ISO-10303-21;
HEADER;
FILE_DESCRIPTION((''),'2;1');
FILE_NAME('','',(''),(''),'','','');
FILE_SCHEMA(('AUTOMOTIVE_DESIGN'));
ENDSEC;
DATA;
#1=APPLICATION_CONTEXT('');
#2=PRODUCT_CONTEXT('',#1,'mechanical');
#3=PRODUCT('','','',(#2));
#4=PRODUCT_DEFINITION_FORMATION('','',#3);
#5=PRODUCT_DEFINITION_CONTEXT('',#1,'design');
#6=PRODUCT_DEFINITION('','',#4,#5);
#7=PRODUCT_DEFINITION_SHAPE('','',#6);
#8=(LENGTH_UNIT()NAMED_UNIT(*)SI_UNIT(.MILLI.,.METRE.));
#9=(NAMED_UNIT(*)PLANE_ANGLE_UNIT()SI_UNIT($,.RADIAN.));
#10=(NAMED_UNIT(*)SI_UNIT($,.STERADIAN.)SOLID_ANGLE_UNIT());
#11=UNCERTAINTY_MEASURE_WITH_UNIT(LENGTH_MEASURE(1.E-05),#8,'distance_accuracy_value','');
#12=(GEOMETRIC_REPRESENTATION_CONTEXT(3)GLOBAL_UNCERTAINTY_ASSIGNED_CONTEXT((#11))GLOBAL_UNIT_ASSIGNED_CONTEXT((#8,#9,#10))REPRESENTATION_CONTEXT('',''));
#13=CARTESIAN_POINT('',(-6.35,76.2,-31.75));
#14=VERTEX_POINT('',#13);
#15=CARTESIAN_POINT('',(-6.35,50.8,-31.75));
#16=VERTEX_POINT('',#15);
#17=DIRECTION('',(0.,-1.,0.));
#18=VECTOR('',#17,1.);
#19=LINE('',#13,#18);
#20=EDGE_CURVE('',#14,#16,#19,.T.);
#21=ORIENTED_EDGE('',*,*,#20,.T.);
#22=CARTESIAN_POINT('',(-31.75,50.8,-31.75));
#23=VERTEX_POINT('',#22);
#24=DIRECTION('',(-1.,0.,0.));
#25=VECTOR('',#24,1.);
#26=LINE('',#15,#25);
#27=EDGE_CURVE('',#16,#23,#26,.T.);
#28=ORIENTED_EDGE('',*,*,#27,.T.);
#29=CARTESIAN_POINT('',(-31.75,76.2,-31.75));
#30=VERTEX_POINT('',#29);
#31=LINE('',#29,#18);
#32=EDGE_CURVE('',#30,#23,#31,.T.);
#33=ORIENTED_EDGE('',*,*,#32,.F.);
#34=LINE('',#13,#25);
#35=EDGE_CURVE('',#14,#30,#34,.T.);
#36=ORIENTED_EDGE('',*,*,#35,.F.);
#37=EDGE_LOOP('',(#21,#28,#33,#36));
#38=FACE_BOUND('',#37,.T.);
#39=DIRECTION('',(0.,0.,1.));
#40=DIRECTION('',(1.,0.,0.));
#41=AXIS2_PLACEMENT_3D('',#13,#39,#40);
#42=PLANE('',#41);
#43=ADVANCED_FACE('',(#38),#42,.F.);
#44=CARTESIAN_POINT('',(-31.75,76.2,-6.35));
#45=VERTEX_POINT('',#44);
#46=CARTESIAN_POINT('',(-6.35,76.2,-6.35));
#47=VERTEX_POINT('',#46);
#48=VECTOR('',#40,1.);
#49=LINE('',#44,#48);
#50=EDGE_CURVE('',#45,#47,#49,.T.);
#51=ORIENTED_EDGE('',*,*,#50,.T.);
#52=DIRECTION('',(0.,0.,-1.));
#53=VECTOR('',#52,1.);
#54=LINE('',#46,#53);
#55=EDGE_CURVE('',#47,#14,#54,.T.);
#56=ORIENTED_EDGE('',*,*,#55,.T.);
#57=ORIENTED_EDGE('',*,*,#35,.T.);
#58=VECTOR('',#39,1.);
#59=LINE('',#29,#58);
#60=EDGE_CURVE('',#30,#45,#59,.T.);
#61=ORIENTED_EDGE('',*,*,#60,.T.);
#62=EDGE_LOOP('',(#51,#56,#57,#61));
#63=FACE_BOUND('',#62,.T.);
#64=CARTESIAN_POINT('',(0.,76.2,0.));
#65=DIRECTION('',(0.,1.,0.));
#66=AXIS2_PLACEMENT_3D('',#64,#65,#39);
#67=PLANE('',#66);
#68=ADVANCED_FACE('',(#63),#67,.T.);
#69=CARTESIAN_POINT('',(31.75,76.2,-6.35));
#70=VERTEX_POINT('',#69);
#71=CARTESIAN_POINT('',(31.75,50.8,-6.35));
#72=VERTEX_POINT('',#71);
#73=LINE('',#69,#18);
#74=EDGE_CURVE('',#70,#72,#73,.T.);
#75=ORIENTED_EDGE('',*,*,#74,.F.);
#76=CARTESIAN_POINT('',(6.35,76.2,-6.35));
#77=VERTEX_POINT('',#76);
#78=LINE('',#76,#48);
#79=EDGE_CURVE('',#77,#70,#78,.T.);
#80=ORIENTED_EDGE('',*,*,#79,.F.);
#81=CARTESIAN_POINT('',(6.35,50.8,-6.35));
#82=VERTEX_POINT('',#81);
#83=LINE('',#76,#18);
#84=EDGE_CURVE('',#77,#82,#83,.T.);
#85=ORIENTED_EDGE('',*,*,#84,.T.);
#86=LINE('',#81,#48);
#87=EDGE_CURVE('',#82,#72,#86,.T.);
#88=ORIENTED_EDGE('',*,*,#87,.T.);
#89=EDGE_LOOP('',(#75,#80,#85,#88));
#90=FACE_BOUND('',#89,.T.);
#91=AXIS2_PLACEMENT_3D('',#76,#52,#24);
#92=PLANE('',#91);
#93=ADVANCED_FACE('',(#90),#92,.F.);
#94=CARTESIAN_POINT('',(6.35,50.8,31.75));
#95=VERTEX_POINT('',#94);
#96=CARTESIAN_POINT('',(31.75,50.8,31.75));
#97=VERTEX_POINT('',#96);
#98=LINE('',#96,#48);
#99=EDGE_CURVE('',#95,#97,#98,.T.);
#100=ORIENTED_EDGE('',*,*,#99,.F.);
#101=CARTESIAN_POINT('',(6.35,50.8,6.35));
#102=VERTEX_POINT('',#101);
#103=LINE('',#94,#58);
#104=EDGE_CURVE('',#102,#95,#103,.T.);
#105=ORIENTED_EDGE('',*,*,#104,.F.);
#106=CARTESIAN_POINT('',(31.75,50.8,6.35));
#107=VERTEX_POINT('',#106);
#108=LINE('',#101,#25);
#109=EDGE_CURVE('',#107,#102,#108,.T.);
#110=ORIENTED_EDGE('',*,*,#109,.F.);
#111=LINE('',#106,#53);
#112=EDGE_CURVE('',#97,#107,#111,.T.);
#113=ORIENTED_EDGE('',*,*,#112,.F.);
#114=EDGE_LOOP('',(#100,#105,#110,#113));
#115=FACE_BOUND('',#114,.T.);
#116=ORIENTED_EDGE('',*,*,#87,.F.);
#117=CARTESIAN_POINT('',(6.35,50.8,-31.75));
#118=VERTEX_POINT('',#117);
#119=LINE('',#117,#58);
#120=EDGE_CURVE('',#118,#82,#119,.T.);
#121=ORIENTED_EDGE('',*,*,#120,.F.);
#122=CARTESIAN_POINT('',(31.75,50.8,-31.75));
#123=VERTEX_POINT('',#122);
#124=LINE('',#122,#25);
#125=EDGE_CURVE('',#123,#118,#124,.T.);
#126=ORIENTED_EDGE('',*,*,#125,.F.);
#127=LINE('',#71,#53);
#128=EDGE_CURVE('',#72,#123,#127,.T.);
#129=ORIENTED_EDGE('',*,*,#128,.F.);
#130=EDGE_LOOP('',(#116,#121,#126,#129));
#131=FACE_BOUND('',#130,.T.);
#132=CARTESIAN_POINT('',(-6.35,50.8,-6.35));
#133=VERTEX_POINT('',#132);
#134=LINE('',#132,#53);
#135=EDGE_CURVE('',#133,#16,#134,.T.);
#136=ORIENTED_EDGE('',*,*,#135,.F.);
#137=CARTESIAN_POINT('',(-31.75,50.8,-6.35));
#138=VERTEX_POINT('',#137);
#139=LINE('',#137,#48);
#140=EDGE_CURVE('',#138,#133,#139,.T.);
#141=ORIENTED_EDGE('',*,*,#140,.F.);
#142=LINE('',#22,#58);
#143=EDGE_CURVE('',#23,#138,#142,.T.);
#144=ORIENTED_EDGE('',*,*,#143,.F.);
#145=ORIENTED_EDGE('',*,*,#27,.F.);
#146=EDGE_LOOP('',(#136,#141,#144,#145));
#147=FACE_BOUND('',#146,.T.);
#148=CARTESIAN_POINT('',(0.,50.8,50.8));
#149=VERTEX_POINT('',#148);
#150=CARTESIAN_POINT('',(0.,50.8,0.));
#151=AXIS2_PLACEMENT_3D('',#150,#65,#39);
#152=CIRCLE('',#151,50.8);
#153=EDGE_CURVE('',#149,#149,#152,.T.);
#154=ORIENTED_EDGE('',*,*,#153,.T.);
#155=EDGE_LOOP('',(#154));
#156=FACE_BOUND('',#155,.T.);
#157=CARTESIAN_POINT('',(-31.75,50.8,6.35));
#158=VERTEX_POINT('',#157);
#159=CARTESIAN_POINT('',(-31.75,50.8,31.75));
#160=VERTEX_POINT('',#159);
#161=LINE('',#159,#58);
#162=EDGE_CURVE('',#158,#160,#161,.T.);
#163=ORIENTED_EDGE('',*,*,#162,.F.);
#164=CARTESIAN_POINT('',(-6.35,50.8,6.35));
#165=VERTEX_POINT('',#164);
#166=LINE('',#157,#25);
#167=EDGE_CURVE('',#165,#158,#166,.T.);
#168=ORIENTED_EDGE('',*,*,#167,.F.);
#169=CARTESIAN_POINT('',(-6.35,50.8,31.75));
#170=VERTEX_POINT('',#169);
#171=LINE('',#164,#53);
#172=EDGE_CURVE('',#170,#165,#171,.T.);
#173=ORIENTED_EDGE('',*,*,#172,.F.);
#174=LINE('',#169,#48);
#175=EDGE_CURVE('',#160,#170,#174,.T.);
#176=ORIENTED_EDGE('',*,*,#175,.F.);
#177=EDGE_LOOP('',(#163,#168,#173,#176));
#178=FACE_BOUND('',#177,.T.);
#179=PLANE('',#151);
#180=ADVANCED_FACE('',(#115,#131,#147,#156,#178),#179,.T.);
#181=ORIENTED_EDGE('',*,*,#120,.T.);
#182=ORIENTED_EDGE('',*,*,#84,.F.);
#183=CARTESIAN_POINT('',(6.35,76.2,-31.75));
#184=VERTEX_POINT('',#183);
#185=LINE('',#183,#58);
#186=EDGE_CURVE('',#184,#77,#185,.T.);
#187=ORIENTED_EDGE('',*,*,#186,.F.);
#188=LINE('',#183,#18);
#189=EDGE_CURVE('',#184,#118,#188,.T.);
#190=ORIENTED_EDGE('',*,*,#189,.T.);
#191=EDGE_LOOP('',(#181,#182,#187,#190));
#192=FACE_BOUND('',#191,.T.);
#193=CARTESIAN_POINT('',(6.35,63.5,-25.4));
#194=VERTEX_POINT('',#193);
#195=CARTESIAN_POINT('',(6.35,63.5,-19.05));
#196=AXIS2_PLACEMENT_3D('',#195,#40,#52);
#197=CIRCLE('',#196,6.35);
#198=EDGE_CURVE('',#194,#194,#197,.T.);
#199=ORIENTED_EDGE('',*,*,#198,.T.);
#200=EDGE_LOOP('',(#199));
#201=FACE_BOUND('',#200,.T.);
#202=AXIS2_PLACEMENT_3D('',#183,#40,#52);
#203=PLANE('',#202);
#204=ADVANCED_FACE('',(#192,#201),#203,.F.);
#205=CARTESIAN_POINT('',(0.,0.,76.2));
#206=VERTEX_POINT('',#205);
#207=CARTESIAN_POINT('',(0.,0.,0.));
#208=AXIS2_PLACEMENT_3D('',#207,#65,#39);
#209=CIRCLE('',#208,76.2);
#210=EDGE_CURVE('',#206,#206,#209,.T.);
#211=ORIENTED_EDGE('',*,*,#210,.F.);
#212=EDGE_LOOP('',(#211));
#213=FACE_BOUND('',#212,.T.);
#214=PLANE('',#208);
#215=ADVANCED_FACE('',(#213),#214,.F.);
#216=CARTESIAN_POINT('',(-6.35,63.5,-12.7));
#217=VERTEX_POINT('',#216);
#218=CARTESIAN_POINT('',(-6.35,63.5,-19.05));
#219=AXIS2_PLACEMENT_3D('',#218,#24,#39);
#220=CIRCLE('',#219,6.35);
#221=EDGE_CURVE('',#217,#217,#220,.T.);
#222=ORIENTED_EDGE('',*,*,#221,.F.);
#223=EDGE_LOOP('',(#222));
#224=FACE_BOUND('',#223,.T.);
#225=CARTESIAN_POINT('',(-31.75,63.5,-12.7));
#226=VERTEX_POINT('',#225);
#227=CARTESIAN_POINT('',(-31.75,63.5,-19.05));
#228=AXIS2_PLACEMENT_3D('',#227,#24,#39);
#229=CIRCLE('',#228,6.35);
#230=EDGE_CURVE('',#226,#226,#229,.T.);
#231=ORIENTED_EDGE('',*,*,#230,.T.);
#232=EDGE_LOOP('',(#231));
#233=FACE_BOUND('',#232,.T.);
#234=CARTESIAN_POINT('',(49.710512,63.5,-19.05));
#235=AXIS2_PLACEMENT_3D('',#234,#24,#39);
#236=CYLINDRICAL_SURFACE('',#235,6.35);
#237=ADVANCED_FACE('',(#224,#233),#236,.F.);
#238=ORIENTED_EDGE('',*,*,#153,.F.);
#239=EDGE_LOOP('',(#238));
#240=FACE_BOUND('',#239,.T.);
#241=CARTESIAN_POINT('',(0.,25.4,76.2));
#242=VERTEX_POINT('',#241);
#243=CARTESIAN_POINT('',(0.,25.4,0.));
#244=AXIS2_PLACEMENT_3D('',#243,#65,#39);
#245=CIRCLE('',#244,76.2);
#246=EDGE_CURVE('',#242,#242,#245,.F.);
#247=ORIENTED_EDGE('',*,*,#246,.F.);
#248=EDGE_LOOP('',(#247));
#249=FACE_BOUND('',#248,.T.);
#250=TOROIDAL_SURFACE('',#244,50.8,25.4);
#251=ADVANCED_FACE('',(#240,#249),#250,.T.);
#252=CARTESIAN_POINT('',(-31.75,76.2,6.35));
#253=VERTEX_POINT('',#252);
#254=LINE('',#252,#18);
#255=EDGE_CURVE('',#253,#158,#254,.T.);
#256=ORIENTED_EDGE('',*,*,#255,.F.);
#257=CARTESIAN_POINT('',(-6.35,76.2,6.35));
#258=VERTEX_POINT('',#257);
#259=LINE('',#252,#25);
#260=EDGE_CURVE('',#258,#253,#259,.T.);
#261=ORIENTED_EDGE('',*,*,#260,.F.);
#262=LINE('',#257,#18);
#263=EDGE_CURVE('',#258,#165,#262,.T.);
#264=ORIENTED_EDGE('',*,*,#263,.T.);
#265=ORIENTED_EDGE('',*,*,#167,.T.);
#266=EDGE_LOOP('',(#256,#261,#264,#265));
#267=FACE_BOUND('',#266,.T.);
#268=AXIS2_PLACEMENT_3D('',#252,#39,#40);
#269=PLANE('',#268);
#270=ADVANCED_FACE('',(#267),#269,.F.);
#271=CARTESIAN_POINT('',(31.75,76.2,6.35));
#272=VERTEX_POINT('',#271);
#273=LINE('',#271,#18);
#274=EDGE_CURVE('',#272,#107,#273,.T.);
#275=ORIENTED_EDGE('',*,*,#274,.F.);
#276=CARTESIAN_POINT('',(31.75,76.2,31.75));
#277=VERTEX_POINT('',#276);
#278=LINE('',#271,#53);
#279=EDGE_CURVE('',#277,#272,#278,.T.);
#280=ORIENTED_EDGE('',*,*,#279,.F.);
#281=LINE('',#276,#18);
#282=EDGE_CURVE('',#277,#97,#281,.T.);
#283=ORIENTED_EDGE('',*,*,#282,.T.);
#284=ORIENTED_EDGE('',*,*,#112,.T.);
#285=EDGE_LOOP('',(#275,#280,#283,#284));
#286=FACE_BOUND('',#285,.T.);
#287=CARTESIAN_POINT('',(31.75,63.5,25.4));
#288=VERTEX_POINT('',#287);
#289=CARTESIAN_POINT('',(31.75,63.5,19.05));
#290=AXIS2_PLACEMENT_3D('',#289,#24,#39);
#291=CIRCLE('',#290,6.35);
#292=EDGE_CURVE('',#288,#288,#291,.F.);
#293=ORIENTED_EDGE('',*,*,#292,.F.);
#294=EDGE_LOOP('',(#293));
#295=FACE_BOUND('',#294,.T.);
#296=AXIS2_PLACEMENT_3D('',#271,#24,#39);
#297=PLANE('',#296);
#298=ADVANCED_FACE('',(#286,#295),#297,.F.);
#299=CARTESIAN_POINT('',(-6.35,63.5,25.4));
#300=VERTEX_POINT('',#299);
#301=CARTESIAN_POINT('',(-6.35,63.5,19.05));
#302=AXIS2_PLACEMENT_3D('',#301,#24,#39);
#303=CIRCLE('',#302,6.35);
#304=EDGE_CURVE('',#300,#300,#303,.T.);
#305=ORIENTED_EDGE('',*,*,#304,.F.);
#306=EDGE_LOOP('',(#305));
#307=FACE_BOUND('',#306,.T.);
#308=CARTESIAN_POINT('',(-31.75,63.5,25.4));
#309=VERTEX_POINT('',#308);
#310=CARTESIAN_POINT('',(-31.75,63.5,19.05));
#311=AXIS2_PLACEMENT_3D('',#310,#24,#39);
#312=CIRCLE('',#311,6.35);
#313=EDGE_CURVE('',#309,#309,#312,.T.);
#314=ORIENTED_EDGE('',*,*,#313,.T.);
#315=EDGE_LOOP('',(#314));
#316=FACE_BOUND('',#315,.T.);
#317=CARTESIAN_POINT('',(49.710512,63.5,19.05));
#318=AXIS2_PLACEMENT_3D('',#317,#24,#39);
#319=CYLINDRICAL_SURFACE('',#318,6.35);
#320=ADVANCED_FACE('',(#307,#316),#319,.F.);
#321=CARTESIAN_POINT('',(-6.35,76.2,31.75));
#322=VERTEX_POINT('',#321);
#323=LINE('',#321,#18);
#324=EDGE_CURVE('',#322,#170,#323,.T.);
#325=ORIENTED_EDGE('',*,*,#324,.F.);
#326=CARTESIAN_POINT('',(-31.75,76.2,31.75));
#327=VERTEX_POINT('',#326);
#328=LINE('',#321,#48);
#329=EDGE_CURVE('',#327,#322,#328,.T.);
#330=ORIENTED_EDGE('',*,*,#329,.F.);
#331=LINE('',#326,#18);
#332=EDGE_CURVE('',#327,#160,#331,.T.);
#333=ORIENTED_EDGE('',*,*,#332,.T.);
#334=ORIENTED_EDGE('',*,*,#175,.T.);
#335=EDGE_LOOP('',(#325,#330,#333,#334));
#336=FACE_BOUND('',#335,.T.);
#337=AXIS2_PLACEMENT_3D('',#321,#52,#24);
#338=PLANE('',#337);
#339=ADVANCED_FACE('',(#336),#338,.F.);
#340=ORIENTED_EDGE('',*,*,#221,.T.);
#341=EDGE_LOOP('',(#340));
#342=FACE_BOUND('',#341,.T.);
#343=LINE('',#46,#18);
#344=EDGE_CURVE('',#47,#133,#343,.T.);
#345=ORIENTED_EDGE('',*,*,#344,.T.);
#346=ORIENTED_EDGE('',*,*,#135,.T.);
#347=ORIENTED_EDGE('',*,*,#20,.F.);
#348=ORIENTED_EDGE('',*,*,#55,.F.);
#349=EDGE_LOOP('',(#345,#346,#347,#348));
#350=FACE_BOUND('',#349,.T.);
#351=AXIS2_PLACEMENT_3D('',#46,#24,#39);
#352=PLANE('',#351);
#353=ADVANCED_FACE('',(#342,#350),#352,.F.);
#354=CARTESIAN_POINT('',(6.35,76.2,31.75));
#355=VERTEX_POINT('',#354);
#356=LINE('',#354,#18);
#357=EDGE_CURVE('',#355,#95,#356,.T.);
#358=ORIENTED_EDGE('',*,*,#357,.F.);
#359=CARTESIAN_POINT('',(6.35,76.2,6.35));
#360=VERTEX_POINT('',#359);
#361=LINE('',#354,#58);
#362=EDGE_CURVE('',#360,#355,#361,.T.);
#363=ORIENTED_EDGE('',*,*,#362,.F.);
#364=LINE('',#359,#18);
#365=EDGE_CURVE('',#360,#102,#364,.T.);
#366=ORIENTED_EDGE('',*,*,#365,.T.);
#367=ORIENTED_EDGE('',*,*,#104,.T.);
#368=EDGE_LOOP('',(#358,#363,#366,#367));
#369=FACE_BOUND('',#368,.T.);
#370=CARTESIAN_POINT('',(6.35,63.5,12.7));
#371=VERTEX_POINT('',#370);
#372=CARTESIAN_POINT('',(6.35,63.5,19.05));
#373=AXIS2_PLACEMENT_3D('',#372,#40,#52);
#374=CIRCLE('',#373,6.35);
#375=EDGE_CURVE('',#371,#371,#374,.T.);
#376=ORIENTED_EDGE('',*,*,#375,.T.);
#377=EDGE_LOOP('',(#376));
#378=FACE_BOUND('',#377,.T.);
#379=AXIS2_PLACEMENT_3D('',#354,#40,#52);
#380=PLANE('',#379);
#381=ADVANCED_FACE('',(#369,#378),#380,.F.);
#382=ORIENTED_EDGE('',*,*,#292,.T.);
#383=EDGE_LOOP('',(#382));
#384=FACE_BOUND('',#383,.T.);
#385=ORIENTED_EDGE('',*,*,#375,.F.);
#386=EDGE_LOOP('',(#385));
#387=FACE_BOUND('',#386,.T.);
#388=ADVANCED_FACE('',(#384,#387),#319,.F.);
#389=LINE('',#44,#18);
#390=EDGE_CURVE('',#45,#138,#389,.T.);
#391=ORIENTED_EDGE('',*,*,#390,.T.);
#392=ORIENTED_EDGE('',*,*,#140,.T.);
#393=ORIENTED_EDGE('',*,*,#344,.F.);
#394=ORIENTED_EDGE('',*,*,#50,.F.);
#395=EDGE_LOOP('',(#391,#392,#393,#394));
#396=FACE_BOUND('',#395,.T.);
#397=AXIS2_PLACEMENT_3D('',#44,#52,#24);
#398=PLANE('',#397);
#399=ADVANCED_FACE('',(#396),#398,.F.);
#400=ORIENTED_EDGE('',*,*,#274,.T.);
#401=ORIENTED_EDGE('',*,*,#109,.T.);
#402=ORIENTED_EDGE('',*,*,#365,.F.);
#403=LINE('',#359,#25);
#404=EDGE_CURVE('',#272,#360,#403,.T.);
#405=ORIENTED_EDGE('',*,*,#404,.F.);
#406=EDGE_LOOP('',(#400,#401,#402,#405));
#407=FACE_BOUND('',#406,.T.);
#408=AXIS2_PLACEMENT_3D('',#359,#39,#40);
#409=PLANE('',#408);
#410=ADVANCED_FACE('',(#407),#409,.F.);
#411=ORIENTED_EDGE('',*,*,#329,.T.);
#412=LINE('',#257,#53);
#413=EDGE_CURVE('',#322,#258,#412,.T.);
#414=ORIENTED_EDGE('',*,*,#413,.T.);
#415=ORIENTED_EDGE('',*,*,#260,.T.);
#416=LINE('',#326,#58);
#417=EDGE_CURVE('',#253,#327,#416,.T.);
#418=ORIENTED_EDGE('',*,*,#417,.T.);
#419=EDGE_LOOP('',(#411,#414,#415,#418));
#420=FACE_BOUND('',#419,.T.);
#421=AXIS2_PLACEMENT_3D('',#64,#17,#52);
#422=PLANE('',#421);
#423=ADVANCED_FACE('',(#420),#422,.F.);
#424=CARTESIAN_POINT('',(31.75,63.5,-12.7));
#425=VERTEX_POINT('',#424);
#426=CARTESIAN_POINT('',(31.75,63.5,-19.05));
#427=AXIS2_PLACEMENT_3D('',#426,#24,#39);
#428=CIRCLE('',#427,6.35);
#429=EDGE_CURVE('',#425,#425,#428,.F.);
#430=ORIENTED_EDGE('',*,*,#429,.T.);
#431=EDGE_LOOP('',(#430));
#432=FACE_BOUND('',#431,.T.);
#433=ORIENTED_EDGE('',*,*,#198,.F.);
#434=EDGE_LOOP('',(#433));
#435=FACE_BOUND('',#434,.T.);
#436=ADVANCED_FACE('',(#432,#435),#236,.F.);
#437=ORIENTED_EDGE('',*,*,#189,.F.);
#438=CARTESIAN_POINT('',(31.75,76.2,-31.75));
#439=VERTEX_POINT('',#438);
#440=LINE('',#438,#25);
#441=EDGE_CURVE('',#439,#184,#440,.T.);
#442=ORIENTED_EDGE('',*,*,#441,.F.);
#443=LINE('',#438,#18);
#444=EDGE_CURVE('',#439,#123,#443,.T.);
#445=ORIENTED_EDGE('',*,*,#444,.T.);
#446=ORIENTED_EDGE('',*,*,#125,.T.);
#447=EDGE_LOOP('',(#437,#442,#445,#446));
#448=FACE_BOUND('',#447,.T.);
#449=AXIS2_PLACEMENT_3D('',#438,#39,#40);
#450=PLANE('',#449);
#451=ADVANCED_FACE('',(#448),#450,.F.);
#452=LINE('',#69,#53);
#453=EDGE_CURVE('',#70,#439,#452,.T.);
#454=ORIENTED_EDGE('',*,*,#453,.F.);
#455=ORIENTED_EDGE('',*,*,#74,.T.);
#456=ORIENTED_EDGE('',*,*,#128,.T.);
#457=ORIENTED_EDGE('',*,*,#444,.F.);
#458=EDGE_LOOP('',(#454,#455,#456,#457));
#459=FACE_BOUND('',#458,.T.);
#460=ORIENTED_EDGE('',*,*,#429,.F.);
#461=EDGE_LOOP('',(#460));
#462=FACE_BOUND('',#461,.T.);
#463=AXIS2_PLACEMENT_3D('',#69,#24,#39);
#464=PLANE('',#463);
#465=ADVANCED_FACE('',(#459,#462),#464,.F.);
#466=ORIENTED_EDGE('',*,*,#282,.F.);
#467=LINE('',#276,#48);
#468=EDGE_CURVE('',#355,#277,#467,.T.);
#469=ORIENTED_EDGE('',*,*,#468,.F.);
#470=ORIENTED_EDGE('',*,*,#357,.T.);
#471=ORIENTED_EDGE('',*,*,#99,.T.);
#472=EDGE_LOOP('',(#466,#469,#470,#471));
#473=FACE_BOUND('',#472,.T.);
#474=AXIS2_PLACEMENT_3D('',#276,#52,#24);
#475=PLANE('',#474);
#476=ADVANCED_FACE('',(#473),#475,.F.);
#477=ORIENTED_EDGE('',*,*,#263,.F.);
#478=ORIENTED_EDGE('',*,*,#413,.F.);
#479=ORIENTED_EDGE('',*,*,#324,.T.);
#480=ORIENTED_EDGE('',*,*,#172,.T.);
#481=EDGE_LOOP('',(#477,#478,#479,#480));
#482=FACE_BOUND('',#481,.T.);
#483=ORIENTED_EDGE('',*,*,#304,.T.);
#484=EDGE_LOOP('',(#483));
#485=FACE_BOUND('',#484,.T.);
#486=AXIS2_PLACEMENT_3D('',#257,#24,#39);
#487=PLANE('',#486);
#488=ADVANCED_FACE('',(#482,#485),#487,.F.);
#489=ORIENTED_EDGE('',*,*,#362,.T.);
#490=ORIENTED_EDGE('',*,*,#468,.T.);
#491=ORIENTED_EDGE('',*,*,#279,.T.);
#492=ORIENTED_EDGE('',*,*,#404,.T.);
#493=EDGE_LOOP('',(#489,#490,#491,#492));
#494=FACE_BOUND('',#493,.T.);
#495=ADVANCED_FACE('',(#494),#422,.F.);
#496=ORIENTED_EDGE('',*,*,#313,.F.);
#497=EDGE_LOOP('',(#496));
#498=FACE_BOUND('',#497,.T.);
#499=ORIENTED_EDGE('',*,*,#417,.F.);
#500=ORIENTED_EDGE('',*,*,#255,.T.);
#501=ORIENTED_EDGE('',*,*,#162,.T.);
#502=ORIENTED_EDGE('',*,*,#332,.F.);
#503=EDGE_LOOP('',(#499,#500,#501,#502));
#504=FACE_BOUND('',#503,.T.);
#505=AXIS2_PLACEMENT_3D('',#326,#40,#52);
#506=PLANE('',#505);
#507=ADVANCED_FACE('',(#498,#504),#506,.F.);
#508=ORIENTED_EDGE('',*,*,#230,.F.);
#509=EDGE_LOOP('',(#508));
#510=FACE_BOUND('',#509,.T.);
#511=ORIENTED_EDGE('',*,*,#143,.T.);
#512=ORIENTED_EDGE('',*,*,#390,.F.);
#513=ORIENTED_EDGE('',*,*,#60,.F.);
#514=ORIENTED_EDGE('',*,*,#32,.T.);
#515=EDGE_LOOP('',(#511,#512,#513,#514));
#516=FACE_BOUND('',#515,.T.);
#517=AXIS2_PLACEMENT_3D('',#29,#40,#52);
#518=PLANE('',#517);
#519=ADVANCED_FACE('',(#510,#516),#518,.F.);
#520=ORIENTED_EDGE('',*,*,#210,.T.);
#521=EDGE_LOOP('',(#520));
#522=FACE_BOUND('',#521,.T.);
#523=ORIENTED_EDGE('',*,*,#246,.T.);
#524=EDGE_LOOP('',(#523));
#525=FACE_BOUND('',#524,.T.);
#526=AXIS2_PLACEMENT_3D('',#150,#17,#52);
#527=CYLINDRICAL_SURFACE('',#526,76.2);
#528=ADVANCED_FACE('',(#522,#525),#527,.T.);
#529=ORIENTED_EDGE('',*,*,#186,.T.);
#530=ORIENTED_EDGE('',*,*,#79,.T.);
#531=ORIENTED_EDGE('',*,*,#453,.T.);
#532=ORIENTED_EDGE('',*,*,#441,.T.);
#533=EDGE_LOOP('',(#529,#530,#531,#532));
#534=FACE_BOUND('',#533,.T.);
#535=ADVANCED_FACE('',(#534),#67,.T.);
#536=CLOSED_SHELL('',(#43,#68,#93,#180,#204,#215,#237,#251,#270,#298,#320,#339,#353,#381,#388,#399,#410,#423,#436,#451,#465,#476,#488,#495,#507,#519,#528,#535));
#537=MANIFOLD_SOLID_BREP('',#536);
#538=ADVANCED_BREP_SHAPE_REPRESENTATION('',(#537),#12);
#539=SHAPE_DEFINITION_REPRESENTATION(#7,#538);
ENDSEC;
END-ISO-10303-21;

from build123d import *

# Parameters (mm, degrees)
SKETCH2_R           = 76.2
BOSS_EXTRUDE2_DEPTH = 50.8
FILLET1_R           = 25.4
SKETCH3_W           = 25.4
SKETCH3_H           = 25.4
BOSS_EXTRUDE3_DEPTH = 25.4
CUT_EXTRUDE2_REACH  = 154.532
SKETCH5_R           = 6.35
CUT_EXTRUDE3_REACH  = 154.532
SKETCH6_R           = 6.35


with BuildPart() as part:
    # Sketch2 → Boss-Extrude2 (new body)
    with BuildSketch(Plane(origin=(0, 0, 0), x_dir=(1, 0, 0), z_dir=(0, 1, 0))):
        with Locations(Location((0, 0, 0), (0, 0, 270))):
            Circle(SKETCH2_R)
    extrude(amount=BOSS_EXTRUDE2_DEPTH)

    # Fillet1
    fillet1_edges = [part.edges().sort_by_distance(p)[0] for p in [
        (0, 50.8, -76.2),
    ]]
    fillet(fillet1_edges, radius=FILLET1_R)

    # Sketch3 → Boss-Extrude3 (add)
    with BuildSketch(Plane(origin=(0, 50.8, 0), x_dir=(1, 0, 0), z_dir=(0, 1, 0))):
        with Locations((-19.05, 19.05)):
            Rectangle(SKETCH3_W, SKETCH3_H)
        with Locations((19.05, 19.05)):
            Rectangle(SKETCH3_W, SKETCH3_H)
        with Locations((-19.05, -19.05)):
            Rectangle(SKETCH3_W, SKETCH3_H)
        with Locations((19.05, -19.05)):
            Rectangle(SKETCH3_W, SKETCH3_H)
    extrude(amount=BOSS_EXTRUDE3_DEPTH)

    # Cut-Extrude2: up to this face of the body (flat: up to its plane)
    cut_extrude2_end = Plane(part.part.faces().sort_by_distance((31.75, 63.5, -19.05))[0])
    # Sketch5 → Cut-Extrude2 (cut, up to the picked face)
    with BuildSketch(Plane.ZY.offset(31.75), mode=Mode.PRIVATE) as cut_extrude2_sk1:
        with Locations((-19.05, 63.5)):
            Circle(SKETCH5_R)
    cut_extrude2_tool1 = split(extrude(cut_extrude2_sk1.sketch, amount=-CUT_EXTRUDE2_REACH, mode=Mode.PRIVATE), bisect_by=cut_extrude2_end, keep=Keep.BOTH, mode=Mode.PRIVATE)
    add(cut_extrude2_tool1.solids().sort_by(Axis((-31.75, 63.5, -19.05), (1, 0, 0)))[0], mode=Mode.SUBTRACT)

    # Cut-Extrude3: up to this face of the body (flat: up to its plane)
    cut_extrude3_end = Plane(part.part.faces().sort_by_distance((31.75, 63.5, 19.05))[0])
    # Sketch6 → Cut-Extrude3 (cut, up to the picked face)
    with BuildSketch(Plane.ZY.offset(31.75), mode=Mode.PRIVATE) as cut_extrude3_sk1:
        with Locations((19.05, 63.5)):
            Circle(SKETCH6_R)
    cut_extrude3_tool1 = split(extrude(cut_extrude3_sk1.sketch, amount=-CUT_EXTRUDE3_REACH, mode=Mode.PRIVATE), bisect_by=cut_extrude3_end, keep=Keep.BOTH, mode=Mode.PRIVATE)
    add(cut_extrude3_tool1.solids().sort_by(Axis((-31.75, 63.5, 19.05), (1, 0, 0)))[0], mode=Mode.SUBTRACT)


solid = part.part
